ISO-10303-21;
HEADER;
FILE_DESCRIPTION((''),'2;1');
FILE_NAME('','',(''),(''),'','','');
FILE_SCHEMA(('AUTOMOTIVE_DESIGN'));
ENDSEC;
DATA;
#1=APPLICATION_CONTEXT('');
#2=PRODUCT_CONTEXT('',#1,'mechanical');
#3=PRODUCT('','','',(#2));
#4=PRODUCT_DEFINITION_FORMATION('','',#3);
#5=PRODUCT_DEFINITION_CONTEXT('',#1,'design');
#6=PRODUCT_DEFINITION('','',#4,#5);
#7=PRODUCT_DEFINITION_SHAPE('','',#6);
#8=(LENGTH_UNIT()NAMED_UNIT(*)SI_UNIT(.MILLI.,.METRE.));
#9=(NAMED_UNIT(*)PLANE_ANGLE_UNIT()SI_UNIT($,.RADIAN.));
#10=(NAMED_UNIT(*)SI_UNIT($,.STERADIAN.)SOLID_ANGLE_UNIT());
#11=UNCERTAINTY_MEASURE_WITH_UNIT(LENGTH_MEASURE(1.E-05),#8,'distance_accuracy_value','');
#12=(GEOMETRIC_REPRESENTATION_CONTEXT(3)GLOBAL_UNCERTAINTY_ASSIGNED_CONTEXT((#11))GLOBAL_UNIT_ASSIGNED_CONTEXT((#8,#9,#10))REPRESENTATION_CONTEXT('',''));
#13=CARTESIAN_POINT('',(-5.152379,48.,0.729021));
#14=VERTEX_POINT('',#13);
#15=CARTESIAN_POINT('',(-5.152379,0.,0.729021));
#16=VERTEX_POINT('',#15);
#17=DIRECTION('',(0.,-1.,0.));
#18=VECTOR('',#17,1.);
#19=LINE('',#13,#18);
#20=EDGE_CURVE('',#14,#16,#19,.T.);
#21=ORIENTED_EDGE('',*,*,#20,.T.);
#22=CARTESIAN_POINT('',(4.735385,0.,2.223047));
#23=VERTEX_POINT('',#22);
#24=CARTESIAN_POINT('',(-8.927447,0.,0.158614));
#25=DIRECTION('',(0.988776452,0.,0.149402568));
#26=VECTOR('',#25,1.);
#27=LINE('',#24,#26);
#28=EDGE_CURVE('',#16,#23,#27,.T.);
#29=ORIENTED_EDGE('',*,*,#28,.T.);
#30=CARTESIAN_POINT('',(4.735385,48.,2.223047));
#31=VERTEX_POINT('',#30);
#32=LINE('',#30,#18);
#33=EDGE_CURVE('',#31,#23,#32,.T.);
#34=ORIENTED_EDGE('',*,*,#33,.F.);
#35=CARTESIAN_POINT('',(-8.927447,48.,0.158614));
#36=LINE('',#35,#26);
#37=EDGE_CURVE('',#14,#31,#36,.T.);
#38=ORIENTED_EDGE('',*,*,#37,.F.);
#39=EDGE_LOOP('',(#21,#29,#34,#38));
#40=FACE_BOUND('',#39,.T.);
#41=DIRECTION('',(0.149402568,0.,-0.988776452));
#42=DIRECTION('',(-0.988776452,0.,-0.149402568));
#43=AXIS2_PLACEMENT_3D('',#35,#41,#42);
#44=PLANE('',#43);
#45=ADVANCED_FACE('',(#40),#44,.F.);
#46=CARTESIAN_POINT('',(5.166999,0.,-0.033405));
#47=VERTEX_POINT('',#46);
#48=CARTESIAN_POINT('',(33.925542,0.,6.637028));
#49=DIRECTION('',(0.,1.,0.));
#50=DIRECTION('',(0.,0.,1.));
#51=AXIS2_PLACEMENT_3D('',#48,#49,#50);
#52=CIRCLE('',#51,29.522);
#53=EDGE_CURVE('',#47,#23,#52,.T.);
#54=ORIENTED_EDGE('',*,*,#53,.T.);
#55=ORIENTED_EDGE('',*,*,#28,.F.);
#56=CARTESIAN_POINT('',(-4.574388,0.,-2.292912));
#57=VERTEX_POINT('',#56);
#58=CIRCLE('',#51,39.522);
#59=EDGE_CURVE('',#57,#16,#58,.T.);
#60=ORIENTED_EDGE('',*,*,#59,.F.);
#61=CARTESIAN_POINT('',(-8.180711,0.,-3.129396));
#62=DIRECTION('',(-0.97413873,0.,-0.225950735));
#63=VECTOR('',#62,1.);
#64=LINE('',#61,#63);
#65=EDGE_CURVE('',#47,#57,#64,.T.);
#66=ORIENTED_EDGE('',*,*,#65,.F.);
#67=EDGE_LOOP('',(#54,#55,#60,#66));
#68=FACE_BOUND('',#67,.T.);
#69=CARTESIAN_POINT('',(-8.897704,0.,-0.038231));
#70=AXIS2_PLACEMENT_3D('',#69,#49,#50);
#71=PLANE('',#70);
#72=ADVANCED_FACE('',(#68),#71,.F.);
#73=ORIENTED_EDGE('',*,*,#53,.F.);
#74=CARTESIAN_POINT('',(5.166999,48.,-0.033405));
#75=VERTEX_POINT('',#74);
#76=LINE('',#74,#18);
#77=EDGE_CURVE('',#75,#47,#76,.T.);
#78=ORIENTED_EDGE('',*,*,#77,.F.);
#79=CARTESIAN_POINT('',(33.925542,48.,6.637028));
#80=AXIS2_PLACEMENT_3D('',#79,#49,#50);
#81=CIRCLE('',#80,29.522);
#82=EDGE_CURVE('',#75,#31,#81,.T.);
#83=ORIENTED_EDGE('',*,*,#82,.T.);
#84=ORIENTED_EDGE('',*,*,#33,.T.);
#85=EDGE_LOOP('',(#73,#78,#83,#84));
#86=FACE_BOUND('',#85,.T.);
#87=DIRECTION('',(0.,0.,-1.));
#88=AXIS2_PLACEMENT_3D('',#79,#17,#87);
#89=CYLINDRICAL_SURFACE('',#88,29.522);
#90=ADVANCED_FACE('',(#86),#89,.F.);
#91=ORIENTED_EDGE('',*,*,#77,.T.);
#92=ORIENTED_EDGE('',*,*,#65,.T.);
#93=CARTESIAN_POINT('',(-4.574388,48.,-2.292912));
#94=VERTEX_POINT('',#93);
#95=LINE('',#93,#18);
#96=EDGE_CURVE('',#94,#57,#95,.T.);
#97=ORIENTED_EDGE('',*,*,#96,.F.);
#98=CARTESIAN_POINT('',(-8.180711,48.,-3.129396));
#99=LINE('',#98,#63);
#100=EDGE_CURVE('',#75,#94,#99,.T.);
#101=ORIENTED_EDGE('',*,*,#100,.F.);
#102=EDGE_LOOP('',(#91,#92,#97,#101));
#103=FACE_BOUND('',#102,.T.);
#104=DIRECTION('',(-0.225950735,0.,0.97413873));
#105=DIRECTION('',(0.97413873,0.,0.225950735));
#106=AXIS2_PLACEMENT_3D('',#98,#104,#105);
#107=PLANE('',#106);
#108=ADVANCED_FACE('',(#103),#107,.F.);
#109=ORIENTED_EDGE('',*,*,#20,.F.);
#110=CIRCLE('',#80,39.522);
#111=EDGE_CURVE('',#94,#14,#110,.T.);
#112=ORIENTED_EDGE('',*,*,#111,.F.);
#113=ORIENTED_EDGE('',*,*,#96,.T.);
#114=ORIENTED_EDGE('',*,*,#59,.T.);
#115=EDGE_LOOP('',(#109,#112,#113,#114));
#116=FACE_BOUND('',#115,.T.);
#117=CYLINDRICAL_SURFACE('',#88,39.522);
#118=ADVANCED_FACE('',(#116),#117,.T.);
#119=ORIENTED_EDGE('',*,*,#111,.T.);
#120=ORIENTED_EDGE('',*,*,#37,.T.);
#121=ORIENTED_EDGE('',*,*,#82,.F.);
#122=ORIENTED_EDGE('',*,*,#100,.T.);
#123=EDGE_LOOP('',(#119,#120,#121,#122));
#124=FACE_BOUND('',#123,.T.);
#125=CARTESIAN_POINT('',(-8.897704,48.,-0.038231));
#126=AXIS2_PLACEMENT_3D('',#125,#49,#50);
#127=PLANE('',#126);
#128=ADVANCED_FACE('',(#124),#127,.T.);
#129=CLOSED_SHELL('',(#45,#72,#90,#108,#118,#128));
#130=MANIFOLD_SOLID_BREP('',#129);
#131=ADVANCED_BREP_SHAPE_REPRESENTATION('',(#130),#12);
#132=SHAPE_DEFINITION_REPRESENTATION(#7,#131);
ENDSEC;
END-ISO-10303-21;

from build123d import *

# Parameters (mm, degrees)
BOSS_EXTRUDE1_DEPTH = 48


with BuildPart() as part:
    # Sketch1 → Boss-Extrude1 (new body)
    with BuildSketch(Plane(origin=(0, 0, 0), x_dir=(1, 0, 0), z_dir=(0, 1, 0))):
        with BuildLine():
            ThreePointArc((-4.574388162, 2.292912484), (-4.892801235, 0.787572143), (-5.152379072, -0.729021334))
            Line((-5.152379072, -0.729021334), (4.735385499, -2.223047022))
            ThreePointArc((4.735385499, -2.223047022), (4.929234761, -1.090620905), (5.16699914, 0.033405138))
            Line((5.16699914, 0.033405138), (-4.574388162, 2.292912484))
        make_face()
    extrude(amount=BOSS_EXTRUDE1_DEPTH)


solid = part.part
